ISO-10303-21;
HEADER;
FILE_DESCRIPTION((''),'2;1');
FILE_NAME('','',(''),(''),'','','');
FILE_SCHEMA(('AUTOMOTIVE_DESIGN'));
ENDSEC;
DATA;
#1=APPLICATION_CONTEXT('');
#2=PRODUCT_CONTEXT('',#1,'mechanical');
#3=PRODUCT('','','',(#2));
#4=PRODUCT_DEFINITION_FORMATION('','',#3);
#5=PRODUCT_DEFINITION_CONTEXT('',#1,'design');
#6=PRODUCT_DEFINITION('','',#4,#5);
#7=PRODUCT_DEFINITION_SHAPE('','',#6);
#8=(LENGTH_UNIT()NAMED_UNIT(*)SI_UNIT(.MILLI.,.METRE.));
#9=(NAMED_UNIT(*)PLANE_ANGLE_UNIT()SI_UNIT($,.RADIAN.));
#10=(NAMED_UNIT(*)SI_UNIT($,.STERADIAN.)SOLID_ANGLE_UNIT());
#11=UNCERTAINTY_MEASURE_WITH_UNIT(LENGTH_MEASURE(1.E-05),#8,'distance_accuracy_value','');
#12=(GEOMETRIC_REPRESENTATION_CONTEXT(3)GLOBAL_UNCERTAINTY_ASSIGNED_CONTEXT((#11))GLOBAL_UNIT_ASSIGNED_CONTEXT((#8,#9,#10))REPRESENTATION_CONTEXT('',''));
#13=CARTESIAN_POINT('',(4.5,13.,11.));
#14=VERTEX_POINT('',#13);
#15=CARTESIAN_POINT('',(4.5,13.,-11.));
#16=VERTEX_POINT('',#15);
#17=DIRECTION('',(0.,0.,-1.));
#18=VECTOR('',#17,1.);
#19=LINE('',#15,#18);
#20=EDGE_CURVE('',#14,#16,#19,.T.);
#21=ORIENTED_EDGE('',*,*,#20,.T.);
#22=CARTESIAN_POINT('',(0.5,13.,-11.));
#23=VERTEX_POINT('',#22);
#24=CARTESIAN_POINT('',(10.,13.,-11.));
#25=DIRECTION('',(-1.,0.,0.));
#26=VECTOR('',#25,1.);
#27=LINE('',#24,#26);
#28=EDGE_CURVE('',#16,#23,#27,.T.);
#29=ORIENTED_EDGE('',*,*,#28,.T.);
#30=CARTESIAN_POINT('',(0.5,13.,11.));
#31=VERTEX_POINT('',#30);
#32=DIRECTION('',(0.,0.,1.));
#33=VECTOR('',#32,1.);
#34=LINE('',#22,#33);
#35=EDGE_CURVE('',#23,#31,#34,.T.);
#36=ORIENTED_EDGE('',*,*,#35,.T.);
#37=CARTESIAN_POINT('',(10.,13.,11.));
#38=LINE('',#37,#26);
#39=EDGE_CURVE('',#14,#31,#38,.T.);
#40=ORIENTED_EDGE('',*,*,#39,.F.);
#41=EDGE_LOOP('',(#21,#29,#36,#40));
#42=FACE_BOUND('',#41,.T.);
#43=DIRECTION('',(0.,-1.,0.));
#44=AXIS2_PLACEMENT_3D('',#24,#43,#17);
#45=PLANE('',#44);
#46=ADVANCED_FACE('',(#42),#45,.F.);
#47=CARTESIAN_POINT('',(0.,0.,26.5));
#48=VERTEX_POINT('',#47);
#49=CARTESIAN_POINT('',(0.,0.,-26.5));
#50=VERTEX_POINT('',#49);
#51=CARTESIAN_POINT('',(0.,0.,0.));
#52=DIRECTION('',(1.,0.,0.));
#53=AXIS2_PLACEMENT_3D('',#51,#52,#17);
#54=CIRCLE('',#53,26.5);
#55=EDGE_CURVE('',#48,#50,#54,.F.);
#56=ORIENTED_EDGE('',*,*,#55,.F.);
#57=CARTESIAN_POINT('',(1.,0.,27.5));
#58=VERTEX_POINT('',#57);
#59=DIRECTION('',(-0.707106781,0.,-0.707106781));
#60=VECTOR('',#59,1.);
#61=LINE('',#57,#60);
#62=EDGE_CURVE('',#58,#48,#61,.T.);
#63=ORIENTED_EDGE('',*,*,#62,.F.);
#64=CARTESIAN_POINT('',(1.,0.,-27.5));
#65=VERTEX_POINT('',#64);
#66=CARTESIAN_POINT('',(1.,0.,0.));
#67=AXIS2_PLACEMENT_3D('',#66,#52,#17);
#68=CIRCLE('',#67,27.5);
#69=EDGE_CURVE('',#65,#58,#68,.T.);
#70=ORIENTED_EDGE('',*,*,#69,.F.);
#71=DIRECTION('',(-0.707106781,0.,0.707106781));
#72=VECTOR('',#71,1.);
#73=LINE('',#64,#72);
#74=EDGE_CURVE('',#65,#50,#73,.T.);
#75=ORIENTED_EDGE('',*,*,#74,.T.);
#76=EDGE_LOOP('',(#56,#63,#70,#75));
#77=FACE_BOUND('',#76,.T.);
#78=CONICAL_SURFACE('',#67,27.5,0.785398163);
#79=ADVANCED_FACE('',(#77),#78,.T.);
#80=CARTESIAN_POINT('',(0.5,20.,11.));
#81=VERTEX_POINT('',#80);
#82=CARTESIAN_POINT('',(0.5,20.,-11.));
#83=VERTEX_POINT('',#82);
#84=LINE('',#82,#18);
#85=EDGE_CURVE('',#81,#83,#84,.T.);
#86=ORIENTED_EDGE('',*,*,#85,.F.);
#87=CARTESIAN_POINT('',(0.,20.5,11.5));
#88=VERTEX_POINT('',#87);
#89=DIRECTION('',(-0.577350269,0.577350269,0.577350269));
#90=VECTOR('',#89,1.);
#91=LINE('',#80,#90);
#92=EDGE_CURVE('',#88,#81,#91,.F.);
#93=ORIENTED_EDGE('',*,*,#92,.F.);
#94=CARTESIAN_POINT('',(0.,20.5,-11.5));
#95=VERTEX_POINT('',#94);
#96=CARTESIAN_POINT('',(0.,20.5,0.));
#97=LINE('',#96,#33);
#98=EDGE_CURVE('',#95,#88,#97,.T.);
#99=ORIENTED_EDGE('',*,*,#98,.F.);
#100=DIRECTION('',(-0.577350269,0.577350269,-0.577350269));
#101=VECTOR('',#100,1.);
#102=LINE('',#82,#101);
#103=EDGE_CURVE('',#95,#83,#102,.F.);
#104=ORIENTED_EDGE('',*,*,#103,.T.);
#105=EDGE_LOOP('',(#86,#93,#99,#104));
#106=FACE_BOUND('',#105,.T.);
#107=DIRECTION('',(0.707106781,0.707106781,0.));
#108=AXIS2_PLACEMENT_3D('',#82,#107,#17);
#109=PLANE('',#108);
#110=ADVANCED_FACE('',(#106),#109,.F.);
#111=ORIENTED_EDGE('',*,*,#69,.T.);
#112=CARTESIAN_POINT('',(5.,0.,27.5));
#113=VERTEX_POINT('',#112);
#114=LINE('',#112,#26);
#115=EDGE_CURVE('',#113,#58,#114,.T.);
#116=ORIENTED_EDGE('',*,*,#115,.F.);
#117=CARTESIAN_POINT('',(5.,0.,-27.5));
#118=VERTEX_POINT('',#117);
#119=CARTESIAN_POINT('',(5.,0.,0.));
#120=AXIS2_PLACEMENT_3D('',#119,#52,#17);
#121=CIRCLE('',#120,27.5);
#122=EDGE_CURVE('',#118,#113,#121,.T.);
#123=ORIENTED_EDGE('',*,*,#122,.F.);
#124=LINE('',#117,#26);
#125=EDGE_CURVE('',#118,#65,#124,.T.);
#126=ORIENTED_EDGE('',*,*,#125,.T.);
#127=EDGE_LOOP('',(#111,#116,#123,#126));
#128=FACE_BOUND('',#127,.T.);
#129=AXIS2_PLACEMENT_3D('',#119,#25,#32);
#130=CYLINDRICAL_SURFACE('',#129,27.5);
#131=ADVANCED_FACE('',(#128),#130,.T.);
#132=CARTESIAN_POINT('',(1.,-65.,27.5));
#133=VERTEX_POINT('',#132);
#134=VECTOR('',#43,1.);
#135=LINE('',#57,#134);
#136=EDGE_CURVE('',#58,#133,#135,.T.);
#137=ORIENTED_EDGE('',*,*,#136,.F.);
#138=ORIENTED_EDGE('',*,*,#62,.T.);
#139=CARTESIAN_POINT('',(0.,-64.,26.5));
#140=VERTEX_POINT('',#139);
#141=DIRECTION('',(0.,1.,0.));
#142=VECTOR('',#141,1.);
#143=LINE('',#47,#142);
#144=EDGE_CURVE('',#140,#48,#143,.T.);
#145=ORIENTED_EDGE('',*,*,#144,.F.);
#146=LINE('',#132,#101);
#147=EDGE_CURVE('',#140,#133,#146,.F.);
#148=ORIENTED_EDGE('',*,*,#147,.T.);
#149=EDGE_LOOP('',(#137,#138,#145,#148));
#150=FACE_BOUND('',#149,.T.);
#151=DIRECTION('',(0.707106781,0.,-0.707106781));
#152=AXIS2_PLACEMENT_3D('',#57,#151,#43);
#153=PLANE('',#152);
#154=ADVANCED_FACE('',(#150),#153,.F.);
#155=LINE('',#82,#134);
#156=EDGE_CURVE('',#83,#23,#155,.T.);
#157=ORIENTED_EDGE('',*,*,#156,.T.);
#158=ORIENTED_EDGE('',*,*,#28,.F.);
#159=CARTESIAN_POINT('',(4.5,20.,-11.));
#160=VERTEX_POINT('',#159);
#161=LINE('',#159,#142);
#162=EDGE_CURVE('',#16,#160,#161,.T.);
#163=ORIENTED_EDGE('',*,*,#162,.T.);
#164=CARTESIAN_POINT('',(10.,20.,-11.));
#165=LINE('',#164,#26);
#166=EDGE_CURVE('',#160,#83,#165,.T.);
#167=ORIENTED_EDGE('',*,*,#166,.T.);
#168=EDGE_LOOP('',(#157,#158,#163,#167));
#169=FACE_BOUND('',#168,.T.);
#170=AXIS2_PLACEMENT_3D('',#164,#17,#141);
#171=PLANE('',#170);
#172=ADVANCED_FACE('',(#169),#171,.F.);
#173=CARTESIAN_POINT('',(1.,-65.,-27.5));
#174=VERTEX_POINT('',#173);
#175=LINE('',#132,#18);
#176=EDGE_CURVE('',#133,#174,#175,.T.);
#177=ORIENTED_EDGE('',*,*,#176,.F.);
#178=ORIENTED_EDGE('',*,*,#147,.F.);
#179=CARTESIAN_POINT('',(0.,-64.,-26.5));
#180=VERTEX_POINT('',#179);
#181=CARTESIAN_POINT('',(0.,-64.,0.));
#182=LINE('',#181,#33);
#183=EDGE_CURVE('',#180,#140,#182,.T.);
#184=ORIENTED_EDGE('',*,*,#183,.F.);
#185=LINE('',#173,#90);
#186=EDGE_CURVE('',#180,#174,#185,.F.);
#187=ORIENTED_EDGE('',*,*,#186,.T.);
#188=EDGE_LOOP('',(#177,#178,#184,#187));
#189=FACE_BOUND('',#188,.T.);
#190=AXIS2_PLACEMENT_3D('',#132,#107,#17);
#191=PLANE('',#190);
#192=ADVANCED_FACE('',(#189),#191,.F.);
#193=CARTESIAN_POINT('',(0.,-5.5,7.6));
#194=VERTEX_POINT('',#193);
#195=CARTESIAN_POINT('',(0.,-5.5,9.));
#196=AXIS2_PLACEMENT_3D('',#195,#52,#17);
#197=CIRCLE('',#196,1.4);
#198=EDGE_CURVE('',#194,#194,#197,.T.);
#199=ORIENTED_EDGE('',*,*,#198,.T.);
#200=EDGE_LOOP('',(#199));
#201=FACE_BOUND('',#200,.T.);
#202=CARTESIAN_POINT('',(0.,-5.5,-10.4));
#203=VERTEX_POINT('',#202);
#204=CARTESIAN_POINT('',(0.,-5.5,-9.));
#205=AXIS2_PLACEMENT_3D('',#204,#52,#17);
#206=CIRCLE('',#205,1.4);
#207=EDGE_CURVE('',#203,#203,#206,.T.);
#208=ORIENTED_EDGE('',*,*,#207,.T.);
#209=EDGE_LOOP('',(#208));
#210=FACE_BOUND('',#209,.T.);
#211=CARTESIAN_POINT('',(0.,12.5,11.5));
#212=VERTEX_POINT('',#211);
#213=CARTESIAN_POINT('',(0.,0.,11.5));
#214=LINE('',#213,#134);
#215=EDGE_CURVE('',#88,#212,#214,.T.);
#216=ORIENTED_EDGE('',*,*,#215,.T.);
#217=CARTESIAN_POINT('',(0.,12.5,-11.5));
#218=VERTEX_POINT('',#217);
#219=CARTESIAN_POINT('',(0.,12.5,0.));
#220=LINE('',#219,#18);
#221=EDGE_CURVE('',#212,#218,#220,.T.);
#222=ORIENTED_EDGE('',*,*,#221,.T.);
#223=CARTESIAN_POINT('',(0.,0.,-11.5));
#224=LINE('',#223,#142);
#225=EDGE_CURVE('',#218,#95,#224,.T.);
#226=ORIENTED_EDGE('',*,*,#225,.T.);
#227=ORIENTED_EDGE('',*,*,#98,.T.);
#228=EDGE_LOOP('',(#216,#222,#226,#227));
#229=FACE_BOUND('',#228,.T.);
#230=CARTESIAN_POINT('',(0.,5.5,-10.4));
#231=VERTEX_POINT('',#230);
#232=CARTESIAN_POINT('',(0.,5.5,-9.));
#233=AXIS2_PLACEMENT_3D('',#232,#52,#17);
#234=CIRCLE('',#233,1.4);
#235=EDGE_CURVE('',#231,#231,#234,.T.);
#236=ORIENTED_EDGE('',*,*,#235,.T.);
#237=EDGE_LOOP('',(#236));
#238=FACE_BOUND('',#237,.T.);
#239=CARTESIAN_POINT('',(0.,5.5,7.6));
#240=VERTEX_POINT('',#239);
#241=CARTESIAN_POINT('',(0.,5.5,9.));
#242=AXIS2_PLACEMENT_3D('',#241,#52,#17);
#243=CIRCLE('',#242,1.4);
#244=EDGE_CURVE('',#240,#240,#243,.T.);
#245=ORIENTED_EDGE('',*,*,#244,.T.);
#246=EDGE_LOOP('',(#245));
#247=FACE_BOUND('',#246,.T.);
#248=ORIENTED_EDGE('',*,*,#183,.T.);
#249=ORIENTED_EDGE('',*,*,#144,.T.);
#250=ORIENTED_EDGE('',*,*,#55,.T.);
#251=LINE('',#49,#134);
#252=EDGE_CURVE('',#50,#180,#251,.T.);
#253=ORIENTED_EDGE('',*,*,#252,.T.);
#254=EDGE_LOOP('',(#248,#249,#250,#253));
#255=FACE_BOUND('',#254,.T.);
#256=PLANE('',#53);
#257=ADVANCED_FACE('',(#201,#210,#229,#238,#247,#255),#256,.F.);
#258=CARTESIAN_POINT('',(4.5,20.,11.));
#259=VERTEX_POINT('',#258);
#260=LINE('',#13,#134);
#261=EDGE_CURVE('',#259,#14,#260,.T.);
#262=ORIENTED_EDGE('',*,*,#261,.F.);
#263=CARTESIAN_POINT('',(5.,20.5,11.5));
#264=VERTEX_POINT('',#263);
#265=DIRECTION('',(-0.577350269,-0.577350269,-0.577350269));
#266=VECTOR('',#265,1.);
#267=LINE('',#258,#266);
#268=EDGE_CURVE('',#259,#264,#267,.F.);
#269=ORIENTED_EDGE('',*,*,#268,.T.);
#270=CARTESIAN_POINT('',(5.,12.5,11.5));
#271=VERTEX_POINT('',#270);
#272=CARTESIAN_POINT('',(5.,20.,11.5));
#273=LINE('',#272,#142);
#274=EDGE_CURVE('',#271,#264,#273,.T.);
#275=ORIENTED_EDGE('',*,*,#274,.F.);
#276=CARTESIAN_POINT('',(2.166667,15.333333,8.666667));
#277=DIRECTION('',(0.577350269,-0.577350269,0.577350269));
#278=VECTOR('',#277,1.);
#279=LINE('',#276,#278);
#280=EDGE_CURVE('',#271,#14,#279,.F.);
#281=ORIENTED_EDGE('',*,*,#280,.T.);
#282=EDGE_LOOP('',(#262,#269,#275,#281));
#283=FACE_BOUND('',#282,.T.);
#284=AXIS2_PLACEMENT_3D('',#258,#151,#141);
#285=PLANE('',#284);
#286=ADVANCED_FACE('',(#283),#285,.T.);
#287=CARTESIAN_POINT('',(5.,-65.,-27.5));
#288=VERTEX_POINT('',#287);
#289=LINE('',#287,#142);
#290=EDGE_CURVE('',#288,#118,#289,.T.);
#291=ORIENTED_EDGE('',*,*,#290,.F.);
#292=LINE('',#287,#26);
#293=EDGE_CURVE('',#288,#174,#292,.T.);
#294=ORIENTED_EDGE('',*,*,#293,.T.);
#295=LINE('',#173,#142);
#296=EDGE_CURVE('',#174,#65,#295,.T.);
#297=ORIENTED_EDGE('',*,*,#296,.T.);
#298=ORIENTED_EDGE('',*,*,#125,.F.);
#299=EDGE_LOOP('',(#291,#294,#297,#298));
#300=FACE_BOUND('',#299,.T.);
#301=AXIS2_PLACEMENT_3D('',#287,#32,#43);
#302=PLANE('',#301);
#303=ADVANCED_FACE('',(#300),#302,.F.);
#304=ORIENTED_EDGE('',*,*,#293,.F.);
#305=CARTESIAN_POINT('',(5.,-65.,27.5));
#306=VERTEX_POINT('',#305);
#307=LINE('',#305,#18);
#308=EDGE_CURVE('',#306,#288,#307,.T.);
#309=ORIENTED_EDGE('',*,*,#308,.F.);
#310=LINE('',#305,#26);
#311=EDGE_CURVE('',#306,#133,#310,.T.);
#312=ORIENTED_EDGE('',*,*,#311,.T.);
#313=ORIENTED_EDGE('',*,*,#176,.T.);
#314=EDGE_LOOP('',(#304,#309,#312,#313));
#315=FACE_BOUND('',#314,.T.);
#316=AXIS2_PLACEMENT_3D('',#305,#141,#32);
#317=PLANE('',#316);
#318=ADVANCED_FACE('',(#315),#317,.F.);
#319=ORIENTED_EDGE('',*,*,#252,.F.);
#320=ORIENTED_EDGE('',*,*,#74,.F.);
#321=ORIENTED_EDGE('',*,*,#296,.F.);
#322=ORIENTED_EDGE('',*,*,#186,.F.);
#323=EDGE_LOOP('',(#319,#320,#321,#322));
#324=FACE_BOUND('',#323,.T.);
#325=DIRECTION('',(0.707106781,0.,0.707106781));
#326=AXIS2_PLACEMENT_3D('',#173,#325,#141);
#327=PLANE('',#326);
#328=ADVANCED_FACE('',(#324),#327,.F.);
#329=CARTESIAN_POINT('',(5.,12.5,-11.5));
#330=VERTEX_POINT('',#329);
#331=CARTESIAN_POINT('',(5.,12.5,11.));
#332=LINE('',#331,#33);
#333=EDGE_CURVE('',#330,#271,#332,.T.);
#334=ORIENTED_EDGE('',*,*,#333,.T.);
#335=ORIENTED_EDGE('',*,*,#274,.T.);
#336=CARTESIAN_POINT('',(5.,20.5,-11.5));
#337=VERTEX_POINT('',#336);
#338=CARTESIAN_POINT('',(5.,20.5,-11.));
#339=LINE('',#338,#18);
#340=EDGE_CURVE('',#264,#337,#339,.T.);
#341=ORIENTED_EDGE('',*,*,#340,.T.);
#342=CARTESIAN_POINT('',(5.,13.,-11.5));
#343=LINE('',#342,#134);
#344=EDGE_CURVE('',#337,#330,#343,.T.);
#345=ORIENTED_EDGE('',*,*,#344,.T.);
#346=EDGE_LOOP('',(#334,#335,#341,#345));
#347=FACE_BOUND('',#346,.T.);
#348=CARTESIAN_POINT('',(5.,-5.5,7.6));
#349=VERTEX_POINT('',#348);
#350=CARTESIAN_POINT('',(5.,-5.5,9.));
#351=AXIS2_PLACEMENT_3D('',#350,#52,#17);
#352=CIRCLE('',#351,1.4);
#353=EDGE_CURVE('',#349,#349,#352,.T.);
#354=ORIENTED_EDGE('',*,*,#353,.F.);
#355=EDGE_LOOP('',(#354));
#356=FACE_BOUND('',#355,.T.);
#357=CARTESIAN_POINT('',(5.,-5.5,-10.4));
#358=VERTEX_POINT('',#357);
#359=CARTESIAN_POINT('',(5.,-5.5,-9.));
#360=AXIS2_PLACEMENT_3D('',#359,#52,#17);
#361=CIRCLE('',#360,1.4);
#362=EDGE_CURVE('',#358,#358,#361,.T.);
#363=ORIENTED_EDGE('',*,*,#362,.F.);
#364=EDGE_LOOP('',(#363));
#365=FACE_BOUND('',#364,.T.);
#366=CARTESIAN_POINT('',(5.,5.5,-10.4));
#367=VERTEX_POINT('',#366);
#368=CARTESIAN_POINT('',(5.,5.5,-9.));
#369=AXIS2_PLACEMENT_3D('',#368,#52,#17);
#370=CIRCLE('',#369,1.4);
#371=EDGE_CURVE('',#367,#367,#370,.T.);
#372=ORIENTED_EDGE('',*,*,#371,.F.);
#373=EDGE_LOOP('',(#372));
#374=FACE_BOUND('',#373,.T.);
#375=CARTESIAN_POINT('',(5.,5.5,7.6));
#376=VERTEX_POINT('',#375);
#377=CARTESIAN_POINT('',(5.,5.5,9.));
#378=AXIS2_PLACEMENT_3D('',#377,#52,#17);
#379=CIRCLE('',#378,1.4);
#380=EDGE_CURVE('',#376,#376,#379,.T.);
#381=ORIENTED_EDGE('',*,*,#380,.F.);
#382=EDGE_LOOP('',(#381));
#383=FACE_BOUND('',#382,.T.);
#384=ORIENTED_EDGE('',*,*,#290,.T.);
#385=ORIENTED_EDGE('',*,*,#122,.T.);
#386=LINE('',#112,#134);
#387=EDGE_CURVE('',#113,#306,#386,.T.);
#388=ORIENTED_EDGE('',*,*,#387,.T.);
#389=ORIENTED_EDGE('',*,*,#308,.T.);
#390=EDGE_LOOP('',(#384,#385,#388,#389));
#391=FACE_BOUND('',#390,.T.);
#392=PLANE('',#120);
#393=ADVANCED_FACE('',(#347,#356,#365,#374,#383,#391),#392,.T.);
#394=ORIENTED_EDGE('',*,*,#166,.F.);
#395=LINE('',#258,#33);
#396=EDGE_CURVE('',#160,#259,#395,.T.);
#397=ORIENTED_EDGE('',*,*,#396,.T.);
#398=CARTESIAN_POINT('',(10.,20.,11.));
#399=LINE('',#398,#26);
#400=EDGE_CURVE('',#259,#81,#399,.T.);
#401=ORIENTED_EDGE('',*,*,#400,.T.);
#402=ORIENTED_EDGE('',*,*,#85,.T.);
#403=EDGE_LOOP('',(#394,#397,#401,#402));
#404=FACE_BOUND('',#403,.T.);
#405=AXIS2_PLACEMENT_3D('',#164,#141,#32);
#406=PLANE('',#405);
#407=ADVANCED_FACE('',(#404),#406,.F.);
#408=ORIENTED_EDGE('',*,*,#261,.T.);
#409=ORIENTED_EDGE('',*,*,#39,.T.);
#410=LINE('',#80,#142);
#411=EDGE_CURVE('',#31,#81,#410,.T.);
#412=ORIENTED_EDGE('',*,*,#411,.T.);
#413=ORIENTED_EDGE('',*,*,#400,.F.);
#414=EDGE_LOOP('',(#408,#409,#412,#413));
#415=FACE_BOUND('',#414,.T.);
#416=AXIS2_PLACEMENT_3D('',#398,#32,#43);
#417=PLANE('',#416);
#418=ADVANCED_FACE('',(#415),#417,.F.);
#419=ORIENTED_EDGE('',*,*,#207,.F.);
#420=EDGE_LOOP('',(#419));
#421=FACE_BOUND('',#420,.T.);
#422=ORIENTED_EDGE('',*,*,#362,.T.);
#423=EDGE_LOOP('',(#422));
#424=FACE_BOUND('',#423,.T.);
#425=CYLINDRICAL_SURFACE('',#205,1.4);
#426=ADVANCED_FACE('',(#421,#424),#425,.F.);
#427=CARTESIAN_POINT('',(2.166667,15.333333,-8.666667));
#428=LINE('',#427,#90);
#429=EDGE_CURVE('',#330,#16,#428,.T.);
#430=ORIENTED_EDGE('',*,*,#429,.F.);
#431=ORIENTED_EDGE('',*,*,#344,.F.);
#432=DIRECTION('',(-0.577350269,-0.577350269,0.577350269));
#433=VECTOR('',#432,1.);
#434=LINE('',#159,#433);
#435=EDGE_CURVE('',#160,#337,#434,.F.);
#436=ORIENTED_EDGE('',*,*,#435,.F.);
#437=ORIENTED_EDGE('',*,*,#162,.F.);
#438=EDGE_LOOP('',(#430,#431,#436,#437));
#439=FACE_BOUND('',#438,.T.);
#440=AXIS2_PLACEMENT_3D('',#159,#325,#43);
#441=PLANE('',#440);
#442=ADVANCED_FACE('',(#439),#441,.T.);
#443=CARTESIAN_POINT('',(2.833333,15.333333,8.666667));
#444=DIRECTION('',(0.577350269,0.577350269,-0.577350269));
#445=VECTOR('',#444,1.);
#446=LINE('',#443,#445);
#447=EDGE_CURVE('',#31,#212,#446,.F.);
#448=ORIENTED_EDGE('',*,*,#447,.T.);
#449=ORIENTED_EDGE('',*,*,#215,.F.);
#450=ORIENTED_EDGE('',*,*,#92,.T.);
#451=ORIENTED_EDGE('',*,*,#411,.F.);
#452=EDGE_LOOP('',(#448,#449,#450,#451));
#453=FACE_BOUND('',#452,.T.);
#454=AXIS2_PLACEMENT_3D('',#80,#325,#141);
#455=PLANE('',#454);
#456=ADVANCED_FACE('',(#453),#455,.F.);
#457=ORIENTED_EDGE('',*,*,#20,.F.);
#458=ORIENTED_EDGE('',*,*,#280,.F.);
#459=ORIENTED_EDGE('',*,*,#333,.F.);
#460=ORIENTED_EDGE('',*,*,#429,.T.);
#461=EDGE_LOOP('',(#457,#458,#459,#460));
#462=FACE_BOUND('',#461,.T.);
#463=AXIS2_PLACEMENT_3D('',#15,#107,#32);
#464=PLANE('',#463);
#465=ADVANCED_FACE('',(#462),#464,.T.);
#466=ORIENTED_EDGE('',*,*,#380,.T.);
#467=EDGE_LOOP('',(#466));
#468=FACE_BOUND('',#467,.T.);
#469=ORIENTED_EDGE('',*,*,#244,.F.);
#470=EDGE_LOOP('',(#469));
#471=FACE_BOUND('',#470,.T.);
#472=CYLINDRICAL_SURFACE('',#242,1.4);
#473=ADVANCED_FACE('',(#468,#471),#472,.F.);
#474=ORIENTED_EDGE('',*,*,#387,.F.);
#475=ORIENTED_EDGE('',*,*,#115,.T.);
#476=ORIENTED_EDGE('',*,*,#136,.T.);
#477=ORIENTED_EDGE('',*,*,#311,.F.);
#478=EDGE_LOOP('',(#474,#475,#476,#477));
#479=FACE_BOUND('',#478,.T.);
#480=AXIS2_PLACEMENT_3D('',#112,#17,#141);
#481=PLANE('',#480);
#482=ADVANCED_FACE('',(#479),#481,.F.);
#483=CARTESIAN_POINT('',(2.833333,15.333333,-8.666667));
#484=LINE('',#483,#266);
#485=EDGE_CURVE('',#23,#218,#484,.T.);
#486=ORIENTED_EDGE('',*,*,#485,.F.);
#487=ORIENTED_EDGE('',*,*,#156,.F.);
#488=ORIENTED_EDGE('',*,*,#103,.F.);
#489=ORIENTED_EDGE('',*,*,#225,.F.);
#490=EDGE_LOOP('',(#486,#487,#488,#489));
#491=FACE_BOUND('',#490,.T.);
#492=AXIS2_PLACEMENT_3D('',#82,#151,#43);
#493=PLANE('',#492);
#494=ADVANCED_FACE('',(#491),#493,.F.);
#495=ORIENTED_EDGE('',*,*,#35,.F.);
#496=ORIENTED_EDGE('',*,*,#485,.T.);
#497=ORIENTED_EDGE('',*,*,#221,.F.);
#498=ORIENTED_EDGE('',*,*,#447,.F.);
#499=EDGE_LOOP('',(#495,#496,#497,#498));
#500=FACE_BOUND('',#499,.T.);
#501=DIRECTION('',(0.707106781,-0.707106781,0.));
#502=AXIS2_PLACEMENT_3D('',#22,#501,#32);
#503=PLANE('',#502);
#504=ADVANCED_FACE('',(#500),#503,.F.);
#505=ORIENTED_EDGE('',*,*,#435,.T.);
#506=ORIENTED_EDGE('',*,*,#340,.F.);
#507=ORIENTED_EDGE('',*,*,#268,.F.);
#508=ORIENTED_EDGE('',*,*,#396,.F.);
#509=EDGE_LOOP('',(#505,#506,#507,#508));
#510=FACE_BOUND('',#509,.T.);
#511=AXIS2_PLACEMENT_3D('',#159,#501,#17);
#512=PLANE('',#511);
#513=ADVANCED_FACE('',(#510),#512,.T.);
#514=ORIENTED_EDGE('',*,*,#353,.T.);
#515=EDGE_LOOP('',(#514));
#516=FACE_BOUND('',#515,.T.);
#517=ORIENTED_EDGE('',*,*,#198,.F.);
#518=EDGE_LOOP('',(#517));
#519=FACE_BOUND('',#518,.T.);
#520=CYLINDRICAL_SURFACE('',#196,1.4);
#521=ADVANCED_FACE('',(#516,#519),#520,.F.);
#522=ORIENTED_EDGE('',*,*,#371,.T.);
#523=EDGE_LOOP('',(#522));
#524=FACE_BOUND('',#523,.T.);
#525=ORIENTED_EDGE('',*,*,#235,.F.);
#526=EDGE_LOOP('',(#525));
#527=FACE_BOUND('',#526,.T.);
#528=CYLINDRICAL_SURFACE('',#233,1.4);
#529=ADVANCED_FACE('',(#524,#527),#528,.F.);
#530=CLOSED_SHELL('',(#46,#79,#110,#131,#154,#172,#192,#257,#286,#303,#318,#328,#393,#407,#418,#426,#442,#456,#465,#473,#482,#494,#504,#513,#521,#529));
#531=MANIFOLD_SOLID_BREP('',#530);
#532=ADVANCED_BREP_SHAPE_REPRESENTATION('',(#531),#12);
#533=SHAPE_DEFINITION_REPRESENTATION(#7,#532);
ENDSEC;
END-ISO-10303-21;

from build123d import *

# Parameters (mm, degrees)
EXTRUDE_1_DEPTH     = 5
SKETCH_2_R          = 1.4
CUT_EXTRUDE_1_DEPTH = 5
CHAMFER_1_SIZE      = 1
SKETCH_4_W          = 22
SKETCH_4_H          = 7
CUT_EXTRUDE_4_DEPTH = 10
CHAMFER_2_SIZE      = 0.5


with BuildPart() as part:
    # 草图1 → 凸台-拉伸1 (new body)
    with BuildSketch(Plane(origin=(0, 0, 0), x_dir=(0, 0, -1), z_dir=(1, 0, 0))):
        with BuildLine():
            Line((-27.5, 0), (-27.5, -65))
            Line((-27.5, -65), (27.5, -65))
            Line((27.5, -65), (27.5, 0))
            ThreePointArc((27.5, 0), (0, 27.5), (-27.5, 0))
        make_face()
    extrude(amount=EXTRUDE_1_DEPTH)

    # 草图2 → 切除-拉伸1 (cut)
    with BuildSketch(Plane(origin=(5, 0, 0), x_dir=(0, 0, -1), z_dir=(1, 0, 0))):
        with Locations((-9, 5.5)):
            Circle(SKETCH_2_R)
        with Locations((9, 5.5)):
            Circle(SKETCH_2_R)
        with Locations((9, -5.5)):
            Circle(SKETCH_2_R)
        with Locations((-9, -5.5)):
            Circle(SKETCH_2_R)
    extrude(amount=-CUT_EXTRUDE_1_DEPTH, mode=Mode.SUBTRACT)

    # 倒角1
    chamfer_1_edges = [part.edges().sort_by_distance(p)[0] for p in [
        (0, -32.5, -27.5),
        (0, -65, 0),
        (0, -32.5, 27.5),
        (0, 27.5, 0),
    ]]
    chamfer(chamfer_1_edges, length=CHAMFER_1_SIZE)

    # 草图4 → 切除-拉伸4 (cut)
    with BuildSketch(Plane.ZY):
        with Locations((0, 16.5)):
            Rectangle(SKETCH_4_W, SKETCH_4_H)
    extrude(amount=-CUT_EXTRUDE_4_DEPTH, mode=Mode.SUBTRACT)

    # 倒角2
    chamfer_2_edges = [part.edges().sort_by_distance(p)[0] for p in [
        (5, 16.5, -11),
        (5, 20, 0),
        (5, 16.5, 11),
        (5, 13, 0),
        (0, 16.5, -11),
        (0, 13, 0),
        (0, 16.5, 11),
        (0, 20, 0),
    ]]
    chamfer(chamfer_2_edges, length=CHAMFER_2_SIZE)


solid = part.part
